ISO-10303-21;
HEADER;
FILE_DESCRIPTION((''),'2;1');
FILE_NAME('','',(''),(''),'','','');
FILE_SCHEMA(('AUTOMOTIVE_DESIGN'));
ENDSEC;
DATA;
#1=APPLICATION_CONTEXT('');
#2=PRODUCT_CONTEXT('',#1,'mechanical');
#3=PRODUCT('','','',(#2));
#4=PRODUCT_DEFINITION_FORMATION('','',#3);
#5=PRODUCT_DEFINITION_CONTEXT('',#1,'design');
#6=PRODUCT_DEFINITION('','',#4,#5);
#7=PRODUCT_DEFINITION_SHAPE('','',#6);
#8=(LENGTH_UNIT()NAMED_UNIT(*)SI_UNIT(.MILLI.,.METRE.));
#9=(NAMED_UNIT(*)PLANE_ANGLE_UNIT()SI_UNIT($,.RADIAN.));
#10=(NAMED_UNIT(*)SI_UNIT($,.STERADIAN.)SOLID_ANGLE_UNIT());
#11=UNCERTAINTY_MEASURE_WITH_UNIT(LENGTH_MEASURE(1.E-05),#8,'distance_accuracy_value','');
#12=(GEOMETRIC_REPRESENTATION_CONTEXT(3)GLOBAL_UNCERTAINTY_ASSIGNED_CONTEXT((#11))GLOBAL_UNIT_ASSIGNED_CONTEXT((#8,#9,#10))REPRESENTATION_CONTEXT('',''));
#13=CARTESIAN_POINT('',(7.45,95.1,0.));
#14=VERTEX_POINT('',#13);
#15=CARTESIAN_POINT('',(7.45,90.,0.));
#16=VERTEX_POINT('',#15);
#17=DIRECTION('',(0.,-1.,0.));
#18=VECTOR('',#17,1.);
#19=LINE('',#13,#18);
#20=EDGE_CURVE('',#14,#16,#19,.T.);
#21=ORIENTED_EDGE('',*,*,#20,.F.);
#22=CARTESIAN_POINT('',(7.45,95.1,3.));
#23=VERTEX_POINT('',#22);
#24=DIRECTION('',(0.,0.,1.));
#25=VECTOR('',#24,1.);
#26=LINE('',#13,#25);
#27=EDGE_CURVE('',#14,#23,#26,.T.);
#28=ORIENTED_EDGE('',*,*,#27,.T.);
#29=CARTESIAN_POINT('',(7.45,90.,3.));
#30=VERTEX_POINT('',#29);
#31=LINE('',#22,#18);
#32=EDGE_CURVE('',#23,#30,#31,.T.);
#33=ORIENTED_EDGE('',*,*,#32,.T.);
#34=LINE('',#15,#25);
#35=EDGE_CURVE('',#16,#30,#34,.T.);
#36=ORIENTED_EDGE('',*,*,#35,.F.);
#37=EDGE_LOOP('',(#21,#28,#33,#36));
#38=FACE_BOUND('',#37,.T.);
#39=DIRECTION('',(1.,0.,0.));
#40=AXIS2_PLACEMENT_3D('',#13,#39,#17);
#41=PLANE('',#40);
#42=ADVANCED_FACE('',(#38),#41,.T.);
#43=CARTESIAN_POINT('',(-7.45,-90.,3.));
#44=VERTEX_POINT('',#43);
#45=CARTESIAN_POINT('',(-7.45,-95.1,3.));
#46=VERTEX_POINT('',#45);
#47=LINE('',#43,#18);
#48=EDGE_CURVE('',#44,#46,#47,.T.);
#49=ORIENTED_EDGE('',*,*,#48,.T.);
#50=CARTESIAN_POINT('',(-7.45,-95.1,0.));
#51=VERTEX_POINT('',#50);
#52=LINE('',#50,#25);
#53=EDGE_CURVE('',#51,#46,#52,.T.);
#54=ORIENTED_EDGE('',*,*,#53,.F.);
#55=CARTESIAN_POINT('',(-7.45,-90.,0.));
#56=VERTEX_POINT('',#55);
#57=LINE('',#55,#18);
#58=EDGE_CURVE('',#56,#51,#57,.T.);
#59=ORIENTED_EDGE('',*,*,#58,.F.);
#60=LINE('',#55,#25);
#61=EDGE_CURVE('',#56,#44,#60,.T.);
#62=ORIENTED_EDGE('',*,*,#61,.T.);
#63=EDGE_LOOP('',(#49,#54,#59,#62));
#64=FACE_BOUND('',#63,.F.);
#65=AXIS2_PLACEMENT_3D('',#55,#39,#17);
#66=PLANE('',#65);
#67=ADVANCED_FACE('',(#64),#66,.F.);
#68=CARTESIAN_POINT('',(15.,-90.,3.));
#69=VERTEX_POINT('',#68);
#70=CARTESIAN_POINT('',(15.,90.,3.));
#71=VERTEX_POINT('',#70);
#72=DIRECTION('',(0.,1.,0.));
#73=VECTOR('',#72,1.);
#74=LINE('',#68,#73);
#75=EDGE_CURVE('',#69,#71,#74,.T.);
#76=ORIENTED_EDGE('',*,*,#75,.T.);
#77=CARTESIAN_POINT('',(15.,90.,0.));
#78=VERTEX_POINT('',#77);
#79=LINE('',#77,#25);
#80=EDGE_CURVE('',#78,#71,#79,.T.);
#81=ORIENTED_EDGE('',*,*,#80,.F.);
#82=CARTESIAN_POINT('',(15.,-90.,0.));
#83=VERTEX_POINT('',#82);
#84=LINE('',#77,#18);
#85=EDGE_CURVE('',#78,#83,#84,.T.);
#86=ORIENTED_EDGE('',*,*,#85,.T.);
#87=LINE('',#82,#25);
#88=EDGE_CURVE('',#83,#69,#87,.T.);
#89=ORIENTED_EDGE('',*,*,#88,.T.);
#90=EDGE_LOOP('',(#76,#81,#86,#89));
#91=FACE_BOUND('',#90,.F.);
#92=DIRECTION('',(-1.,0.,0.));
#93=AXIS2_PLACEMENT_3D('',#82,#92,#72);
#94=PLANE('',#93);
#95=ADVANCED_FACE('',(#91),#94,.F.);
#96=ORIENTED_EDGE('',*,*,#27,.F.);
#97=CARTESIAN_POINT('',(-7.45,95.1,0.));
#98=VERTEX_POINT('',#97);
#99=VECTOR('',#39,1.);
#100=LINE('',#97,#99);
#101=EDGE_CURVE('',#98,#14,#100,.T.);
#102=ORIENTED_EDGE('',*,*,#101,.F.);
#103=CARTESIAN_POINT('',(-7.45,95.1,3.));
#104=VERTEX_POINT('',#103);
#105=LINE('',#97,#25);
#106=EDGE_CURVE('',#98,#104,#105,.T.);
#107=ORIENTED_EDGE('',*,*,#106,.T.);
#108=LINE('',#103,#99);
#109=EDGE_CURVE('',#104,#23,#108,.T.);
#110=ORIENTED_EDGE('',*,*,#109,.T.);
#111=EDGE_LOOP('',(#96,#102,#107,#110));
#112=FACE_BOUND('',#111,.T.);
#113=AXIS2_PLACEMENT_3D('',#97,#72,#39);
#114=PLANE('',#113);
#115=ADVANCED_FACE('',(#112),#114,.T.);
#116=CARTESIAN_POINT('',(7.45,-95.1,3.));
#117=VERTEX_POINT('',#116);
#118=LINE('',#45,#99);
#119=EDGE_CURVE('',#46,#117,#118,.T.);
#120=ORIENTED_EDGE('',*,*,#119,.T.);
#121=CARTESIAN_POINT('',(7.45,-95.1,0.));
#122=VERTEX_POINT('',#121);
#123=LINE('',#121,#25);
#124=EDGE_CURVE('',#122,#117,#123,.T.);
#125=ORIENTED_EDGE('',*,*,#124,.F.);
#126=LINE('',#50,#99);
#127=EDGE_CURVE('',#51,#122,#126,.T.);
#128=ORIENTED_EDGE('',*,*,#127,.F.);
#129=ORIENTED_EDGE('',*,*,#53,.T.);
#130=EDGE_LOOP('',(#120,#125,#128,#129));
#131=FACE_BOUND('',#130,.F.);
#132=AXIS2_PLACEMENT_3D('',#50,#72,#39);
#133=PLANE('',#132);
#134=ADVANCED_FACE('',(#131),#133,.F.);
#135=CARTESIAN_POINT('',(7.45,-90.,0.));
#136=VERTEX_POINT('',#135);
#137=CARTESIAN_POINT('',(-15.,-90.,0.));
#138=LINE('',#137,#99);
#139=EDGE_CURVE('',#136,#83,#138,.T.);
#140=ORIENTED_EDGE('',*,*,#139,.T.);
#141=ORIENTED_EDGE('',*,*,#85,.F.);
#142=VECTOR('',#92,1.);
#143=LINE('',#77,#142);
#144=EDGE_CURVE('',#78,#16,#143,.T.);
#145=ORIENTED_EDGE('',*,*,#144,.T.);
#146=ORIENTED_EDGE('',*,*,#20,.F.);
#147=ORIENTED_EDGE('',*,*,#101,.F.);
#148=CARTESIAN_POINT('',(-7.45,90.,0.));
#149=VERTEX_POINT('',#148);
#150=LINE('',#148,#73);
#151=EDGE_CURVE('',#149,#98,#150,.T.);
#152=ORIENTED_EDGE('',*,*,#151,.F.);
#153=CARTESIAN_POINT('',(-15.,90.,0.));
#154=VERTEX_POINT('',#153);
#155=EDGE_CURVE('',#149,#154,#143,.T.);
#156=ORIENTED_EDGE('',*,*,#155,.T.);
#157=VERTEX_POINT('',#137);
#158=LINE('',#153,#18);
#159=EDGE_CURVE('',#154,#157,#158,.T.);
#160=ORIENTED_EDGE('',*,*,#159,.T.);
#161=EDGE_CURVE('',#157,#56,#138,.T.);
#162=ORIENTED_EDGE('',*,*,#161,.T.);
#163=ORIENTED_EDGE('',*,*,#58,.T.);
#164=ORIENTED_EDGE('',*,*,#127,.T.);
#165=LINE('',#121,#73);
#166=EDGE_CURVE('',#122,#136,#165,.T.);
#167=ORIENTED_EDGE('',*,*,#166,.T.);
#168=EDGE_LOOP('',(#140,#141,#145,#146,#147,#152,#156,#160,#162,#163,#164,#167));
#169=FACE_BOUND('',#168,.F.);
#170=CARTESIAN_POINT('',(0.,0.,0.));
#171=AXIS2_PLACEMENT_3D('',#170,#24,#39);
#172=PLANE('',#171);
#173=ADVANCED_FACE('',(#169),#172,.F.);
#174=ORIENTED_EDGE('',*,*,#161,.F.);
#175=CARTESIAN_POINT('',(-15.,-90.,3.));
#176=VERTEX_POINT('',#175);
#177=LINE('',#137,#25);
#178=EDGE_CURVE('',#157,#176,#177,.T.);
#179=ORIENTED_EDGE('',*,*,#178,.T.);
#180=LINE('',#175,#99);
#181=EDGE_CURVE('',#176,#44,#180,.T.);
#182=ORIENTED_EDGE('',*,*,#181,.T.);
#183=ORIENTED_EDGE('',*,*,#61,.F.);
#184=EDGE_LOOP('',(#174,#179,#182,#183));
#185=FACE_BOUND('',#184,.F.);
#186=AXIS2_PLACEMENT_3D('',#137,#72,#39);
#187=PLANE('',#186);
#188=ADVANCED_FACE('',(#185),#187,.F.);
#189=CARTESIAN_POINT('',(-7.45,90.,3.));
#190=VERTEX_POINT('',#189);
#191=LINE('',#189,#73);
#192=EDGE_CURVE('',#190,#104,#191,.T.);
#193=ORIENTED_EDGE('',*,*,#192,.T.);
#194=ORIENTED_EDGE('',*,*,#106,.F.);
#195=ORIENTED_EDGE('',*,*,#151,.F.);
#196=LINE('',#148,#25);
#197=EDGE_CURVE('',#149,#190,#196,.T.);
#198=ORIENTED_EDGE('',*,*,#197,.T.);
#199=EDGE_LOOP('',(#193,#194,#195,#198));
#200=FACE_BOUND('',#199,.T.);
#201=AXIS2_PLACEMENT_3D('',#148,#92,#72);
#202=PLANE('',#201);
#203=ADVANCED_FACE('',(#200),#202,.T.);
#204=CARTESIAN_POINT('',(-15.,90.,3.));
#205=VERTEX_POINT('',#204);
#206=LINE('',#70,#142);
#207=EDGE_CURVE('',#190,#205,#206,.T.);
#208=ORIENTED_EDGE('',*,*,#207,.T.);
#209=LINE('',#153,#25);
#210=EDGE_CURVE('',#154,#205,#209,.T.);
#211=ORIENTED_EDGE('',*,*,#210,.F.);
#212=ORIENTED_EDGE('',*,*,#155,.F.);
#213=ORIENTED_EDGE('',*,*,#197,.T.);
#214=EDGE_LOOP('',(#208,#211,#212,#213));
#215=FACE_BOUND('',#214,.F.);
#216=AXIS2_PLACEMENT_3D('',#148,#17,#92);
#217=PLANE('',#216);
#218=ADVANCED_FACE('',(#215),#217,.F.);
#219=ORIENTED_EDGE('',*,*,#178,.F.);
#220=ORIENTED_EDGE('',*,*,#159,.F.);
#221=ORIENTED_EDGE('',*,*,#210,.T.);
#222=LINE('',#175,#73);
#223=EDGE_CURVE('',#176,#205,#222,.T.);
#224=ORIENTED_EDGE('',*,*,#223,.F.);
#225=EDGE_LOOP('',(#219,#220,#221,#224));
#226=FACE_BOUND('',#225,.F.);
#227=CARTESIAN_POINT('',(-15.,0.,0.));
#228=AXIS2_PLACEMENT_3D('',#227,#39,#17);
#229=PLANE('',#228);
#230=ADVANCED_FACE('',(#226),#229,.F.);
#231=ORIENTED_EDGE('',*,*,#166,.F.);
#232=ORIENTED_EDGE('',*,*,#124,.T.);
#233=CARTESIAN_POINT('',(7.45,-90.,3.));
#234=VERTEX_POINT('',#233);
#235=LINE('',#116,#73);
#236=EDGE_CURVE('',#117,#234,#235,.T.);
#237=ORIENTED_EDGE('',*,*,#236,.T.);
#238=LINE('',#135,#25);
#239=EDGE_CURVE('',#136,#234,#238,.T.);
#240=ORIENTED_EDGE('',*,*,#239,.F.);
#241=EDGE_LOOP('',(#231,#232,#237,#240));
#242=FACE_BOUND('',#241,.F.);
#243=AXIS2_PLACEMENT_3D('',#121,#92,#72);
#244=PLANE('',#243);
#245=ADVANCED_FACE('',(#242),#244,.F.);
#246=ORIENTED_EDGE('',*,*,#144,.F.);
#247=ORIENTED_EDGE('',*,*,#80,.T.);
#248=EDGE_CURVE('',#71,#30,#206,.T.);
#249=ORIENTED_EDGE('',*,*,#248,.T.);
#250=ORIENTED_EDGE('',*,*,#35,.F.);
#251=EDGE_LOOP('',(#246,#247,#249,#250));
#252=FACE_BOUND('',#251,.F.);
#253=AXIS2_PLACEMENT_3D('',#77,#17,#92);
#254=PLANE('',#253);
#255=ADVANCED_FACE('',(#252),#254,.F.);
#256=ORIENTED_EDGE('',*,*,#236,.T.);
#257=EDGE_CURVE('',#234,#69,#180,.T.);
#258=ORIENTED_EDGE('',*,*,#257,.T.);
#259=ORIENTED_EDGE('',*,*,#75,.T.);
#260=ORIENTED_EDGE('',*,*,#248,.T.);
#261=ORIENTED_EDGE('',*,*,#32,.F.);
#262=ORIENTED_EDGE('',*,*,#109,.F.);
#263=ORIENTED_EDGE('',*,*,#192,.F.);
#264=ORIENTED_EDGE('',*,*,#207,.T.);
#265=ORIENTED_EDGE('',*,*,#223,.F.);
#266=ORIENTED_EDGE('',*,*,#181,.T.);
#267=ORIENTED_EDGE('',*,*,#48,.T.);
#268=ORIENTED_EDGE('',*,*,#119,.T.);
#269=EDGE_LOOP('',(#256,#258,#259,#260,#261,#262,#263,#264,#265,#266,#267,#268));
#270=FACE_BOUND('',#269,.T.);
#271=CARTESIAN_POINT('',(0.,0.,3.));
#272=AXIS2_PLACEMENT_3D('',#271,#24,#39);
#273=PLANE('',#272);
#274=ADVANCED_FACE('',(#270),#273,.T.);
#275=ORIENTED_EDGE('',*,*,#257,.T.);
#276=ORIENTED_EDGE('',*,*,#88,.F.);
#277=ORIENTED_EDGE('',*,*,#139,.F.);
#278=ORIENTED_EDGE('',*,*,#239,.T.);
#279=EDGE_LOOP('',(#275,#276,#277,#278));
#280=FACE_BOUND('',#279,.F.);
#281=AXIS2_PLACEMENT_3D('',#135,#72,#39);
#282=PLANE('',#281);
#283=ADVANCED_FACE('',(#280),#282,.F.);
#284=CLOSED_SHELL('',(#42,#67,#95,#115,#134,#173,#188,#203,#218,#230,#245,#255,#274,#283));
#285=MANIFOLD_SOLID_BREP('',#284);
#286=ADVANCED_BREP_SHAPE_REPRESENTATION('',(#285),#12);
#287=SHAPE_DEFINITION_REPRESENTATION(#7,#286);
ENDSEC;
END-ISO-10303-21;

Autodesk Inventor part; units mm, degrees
ref_plane "YZ Plane" through (0, 0, 0) normal (1, 0, 0) x (0, 1, 0)
ref_plane "XZ Plane" through (0, 0, 0) normal (0, 1, 0) x (-1, 0, 0)
ref_plane "XY Plane" through (0, 0, 0) normal (0, 0, 1) x (1, 0, 0)
sketch "Sketch1" plane through (0, 0, 0) normal (0, 0, 1) x (1, 0, 0)
  line L0 (-15, -90) -> (15, -90)
  line L1 (15, -90) -> (15, 90)
  line L2 (15, 90) -> (-15, 90)
  line L3 (-15, 90) -> (-15, -90)
  line L4 (-15, -90) -> (15, 90) construction
  line L5 (15, -90) -> (-15, 90) construction
  line L6 (-7.45, 95.1) -> (7.45, 95.1)
  line L7 (7.45, 95.1) -> (7.45, 90)
  line L8 (7.45, 90) -> (-7.45, 90)
  line L9 (-7.45, 90) -> (-7.45, 95.1)
  line L10 (-7.45, 95.1) -> (7.45, 90) construction
  line L11 (7.45, 95.1) -> (-7.45, 90) construction
  line L12 (-15, 0) -> (15, 0)
  line L13 (-7.45, -95.1) -> (7.45, -95.1)
  line L14 (7.45, -95.1) -> (7.45, -90)
  line L15 (7.45, -90) -> (-7.45, -90)
  line L16 (-7.45, -90) -> (-7.45, -95.1)
  line L17 (-7.45, -95.1) -> (7.45, -90) construction
  line L18 (7.45, -95.1) -> (-7.45, -90) construction
  point P0 (0, 0)
  point P1 (0, 92.55)
  point P2 (0, 90)
  point P3 (0, -90)
  dimension "d0" = 180
  dimension "d1" = 30
  dimension "d2" = 14.9
  dimension "d3" = 5.1
extrude "Plate1" add sketch "Sketch1" along normal blind 3
equation "\"d4\" = Thickness"
equation "\"BendRadius\" = Thickness"
equation "\"BendReliefWidth\" = Thickness"
equation "\"BendReliefDepth\" = 0.5 * Thickness"
equation "\"CornerReliefSize\" = 4 * Thickness"
equation "\"MinimumRemnant\" = 2 * Thickness"
equation "\"TransitionRadius\" = BendRadius"
equation "\"JacobiRadiusSize\" = BendRadius"
equation "\"GapSize\" = Thickness"
equation "\"Thickness\" = 3"
properties part number "Assembly Fixation Rod"
